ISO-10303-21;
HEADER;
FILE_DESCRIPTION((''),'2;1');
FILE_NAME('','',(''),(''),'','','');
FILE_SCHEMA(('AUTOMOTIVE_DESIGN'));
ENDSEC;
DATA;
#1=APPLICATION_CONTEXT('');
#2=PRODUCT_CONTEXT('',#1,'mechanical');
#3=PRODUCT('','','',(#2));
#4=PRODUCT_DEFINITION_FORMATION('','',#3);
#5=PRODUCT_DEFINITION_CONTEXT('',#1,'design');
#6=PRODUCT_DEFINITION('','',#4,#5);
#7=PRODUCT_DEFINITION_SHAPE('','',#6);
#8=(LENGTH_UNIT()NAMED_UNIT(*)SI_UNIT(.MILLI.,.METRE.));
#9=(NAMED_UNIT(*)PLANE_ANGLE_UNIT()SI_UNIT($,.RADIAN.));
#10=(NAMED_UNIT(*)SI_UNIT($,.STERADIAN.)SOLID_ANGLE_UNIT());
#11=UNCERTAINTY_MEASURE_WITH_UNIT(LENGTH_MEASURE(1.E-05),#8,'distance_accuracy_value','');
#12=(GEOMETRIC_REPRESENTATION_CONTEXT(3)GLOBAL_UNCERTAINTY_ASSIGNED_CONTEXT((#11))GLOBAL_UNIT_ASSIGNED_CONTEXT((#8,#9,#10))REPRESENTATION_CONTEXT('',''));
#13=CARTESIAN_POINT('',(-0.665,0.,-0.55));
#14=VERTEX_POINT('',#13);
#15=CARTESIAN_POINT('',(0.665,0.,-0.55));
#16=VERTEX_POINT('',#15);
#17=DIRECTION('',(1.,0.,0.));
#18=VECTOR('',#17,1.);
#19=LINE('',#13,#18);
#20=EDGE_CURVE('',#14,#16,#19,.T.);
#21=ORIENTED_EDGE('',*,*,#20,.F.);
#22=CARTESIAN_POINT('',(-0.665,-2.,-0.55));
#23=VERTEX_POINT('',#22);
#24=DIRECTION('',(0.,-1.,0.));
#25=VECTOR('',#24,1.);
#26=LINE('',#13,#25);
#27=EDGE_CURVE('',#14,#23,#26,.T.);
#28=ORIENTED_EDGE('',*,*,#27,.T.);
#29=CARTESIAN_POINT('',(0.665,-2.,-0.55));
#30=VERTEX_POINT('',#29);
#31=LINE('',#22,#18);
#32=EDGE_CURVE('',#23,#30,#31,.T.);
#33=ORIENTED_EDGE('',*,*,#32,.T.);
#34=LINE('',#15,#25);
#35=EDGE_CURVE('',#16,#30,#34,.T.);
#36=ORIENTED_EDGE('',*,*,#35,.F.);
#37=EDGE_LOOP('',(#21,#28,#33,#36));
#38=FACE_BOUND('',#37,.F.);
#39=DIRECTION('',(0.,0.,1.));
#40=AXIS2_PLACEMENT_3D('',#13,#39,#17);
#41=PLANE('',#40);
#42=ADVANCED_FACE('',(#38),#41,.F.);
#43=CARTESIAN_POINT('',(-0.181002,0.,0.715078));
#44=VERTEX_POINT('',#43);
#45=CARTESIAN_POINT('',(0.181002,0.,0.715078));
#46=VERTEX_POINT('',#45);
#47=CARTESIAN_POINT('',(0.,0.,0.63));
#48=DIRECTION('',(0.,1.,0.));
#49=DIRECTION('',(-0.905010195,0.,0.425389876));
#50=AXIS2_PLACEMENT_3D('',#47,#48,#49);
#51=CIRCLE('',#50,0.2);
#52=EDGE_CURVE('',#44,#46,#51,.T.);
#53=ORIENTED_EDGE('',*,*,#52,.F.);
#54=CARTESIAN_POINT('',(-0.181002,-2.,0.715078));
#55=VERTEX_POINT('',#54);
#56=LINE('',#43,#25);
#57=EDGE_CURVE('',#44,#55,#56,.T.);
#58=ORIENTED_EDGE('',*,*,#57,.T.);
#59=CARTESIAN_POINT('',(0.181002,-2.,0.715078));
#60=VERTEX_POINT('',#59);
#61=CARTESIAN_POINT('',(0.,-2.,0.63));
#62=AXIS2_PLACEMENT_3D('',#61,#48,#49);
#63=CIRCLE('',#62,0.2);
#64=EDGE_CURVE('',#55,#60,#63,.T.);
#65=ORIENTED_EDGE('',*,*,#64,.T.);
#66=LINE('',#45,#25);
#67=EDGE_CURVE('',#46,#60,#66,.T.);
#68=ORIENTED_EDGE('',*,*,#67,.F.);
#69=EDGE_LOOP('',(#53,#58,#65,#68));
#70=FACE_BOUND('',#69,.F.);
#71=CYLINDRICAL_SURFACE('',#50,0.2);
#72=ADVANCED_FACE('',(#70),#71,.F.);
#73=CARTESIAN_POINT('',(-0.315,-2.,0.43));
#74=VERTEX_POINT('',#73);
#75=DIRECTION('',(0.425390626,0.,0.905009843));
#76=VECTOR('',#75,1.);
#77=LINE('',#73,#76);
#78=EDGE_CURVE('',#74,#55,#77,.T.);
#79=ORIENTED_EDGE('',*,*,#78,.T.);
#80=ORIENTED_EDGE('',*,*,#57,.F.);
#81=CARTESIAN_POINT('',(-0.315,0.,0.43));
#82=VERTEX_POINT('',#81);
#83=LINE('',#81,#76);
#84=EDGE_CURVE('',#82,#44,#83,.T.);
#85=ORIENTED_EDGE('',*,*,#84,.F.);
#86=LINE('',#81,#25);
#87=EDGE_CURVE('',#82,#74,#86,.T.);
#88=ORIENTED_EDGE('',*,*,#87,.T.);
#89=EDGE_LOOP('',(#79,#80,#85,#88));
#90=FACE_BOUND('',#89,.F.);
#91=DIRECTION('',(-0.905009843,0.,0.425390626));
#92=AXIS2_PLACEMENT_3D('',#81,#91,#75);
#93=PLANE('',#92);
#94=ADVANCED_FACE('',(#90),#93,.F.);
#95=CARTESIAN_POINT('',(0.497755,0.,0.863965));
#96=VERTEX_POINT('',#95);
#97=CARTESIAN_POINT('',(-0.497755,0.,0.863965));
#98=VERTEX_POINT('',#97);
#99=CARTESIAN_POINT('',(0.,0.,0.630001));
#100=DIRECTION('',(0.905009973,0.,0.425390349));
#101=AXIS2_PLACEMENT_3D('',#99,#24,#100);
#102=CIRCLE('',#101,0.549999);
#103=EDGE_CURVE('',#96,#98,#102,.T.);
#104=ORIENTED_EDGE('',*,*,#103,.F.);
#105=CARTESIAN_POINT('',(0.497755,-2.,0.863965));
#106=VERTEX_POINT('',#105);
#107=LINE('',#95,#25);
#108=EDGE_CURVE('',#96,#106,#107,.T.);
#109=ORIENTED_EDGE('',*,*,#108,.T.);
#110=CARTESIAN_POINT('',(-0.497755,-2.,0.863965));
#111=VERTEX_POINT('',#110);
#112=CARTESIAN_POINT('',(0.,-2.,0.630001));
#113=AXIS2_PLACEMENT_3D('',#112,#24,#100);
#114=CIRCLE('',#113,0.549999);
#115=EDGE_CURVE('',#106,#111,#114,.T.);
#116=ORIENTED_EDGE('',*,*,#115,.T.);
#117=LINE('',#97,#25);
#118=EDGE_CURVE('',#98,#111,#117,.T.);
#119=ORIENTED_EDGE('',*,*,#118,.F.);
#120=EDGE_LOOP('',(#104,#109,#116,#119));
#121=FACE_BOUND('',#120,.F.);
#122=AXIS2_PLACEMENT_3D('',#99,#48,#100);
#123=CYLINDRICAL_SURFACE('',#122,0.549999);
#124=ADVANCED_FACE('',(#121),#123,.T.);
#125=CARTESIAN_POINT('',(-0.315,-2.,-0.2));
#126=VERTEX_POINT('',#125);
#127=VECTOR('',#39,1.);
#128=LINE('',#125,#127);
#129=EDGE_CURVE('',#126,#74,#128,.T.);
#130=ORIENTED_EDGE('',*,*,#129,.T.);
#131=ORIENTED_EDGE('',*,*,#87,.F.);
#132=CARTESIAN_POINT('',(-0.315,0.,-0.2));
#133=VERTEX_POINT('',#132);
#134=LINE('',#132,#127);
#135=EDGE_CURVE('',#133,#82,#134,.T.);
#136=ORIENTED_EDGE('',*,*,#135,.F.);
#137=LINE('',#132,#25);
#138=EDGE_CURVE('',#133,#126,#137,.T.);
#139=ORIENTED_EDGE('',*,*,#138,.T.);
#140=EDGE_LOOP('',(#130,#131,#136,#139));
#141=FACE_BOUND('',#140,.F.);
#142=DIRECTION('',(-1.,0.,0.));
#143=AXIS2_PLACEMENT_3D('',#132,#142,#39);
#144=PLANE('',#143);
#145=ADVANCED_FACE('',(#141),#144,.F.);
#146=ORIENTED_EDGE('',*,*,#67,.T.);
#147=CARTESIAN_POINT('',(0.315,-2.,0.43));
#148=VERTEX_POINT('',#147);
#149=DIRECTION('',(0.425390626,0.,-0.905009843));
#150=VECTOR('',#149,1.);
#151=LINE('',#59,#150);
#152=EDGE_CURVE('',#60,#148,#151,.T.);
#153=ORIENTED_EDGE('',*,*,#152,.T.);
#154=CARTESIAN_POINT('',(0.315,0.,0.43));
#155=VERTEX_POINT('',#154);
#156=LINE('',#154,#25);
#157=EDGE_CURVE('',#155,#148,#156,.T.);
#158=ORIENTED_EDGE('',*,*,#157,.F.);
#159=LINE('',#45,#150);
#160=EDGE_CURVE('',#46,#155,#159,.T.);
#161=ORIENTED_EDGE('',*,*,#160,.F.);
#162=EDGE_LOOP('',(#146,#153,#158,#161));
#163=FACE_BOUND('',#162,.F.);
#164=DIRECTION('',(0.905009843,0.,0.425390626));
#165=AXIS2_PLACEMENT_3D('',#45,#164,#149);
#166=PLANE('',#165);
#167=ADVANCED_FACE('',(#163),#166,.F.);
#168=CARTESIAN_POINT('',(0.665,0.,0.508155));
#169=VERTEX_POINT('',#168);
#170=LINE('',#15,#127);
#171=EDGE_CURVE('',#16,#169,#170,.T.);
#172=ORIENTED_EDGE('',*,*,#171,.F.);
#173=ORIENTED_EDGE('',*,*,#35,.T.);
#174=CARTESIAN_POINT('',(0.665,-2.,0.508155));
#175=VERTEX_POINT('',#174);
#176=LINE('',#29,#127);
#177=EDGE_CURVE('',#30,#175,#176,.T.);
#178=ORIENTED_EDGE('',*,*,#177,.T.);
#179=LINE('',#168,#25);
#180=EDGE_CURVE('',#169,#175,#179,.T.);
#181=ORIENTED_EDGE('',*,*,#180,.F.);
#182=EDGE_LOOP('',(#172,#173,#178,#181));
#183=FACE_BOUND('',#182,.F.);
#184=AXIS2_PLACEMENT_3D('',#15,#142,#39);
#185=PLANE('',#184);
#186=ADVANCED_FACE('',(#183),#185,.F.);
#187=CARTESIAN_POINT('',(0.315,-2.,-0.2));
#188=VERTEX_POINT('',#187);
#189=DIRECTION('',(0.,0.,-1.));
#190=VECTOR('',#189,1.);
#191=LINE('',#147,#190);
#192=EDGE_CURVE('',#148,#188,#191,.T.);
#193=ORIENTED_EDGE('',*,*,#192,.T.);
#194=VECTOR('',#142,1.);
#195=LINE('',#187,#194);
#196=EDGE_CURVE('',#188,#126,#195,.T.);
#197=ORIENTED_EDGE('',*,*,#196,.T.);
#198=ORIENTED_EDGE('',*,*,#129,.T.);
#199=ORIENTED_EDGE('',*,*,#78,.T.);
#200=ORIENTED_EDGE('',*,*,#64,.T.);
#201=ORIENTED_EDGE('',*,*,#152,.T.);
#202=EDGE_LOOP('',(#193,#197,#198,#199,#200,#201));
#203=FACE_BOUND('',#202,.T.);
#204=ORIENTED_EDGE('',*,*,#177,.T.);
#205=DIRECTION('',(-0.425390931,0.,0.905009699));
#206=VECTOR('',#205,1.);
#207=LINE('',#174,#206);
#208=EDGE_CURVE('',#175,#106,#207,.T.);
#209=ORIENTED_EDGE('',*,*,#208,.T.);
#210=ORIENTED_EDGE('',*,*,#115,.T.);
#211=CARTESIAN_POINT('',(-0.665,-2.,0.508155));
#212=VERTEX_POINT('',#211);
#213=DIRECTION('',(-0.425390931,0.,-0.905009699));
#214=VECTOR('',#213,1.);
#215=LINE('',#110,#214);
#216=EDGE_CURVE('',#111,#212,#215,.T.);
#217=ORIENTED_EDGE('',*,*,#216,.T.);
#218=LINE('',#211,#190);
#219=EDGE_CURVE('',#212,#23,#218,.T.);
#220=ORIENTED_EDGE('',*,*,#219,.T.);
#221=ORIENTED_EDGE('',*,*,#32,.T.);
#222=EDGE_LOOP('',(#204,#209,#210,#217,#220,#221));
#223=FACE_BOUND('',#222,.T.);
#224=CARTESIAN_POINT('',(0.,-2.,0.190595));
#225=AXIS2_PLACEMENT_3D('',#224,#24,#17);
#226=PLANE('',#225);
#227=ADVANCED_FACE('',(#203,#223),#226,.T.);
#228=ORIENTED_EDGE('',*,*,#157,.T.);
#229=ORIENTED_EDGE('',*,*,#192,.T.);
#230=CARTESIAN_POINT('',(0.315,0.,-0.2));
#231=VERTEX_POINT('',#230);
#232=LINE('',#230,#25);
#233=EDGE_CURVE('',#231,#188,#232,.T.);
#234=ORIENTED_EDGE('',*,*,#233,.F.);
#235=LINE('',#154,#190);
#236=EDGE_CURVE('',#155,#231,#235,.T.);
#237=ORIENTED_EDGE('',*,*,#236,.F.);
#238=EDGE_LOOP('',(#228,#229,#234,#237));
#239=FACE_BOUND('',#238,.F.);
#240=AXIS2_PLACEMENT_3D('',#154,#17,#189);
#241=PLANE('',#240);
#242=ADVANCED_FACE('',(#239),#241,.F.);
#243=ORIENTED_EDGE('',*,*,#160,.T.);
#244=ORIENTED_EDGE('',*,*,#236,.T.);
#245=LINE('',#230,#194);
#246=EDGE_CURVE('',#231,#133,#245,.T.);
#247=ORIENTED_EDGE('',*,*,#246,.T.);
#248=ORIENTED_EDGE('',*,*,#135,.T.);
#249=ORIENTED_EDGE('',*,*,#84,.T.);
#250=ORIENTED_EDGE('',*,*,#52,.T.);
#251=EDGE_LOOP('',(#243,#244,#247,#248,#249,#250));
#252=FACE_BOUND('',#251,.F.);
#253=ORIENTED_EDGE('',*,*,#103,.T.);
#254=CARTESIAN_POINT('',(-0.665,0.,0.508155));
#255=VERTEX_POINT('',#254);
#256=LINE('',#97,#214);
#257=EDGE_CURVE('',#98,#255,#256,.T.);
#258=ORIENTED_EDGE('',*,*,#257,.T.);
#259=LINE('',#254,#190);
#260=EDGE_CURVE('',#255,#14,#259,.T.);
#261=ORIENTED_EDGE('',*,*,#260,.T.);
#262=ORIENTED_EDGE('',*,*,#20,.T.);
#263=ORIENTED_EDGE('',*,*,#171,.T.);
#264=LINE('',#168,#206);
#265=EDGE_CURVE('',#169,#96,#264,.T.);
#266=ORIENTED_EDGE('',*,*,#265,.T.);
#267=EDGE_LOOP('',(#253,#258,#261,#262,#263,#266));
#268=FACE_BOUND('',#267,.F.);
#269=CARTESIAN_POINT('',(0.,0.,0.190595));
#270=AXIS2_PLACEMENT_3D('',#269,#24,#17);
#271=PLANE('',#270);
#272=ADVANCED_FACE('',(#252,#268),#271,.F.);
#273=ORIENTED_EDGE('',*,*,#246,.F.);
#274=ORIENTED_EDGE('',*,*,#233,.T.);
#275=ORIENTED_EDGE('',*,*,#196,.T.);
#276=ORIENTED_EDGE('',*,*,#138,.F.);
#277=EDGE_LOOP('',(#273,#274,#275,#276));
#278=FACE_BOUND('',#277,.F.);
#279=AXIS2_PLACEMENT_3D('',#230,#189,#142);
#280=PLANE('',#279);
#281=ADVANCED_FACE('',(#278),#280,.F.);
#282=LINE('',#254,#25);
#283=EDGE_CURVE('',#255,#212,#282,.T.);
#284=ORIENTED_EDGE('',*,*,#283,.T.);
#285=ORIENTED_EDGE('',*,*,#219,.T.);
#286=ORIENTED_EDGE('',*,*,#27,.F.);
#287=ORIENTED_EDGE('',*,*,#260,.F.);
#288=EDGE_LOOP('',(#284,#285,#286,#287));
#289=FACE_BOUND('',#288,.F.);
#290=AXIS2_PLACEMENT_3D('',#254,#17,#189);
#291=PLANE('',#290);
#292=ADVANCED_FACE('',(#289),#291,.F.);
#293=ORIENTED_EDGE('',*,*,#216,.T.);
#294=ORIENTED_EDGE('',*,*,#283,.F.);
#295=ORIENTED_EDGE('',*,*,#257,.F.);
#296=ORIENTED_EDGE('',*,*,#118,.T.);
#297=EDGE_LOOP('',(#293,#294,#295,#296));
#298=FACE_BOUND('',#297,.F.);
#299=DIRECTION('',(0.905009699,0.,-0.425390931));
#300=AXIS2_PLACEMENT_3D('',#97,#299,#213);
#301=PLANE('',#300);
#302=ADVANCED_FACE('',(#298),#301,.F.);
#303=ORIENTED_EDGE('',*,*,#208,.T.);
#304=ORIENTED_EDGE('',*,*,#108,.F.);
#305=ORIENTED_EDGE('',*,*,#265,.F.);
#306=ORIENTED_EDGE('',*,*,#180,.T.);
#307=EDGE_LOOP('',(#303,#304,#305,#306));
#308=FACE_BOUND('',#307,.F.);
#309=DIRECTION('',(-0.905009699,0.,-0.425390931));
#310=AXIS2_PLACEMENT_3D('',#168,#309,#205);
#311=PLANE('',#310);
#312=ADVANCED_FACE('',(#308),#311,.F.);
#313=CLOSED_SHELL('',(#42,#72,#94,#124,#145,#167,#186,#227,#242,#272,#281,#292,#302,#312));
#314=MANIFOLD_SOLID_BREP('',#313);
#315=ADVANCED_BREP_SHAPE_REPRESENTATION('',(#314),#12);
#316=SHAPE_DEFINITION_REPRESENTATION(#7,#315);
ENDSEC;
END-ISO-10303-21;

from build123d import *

# Parameters (mm, degrees)
F1_DEPTH = 2


with BuildPart() as f1:
    # F0 (on Front) → F1 (new body)
    with BuildSketch(Plane.XZ):
        with BuildLine():
            Line((-0.665, 0.508155), (-0.665, -0.55))
            Line((-0.665, -0.55), (0.665, -0.55))
            Line((0.665, -0.55), (0.665, 0.508155))
            Line((0.665, 0.508155), (0.497755, 0.863965))
            ThreePointArc((0.497755, 0.863965), (0, 1.18), (-0.497755, 0.863965))
            Line((-0.497755, 0.863965), (-0.665, 0.508155))
        make_face()
        with BuildLine():
            Line((0.315, -0.2), (-0.315, -0.2))
            Line((-0.315, -0.2), (-0.315, 0.43))
            Line((-0.315, 0.43), (-0.181002, 0.715078))
            ThreePointArc((-0.181002, 0.715078), (0, 0.83), (0.181002, 0.715078))
            Line((0.181002, 0.715078), (0.315, 0.43))
            Line((0.315, 0.43), (0.315, -0.2))
        make_face(mode=Mode.SUBTRACT)
    extrude(amount=F1_DEPTH)


solid = f1.part
